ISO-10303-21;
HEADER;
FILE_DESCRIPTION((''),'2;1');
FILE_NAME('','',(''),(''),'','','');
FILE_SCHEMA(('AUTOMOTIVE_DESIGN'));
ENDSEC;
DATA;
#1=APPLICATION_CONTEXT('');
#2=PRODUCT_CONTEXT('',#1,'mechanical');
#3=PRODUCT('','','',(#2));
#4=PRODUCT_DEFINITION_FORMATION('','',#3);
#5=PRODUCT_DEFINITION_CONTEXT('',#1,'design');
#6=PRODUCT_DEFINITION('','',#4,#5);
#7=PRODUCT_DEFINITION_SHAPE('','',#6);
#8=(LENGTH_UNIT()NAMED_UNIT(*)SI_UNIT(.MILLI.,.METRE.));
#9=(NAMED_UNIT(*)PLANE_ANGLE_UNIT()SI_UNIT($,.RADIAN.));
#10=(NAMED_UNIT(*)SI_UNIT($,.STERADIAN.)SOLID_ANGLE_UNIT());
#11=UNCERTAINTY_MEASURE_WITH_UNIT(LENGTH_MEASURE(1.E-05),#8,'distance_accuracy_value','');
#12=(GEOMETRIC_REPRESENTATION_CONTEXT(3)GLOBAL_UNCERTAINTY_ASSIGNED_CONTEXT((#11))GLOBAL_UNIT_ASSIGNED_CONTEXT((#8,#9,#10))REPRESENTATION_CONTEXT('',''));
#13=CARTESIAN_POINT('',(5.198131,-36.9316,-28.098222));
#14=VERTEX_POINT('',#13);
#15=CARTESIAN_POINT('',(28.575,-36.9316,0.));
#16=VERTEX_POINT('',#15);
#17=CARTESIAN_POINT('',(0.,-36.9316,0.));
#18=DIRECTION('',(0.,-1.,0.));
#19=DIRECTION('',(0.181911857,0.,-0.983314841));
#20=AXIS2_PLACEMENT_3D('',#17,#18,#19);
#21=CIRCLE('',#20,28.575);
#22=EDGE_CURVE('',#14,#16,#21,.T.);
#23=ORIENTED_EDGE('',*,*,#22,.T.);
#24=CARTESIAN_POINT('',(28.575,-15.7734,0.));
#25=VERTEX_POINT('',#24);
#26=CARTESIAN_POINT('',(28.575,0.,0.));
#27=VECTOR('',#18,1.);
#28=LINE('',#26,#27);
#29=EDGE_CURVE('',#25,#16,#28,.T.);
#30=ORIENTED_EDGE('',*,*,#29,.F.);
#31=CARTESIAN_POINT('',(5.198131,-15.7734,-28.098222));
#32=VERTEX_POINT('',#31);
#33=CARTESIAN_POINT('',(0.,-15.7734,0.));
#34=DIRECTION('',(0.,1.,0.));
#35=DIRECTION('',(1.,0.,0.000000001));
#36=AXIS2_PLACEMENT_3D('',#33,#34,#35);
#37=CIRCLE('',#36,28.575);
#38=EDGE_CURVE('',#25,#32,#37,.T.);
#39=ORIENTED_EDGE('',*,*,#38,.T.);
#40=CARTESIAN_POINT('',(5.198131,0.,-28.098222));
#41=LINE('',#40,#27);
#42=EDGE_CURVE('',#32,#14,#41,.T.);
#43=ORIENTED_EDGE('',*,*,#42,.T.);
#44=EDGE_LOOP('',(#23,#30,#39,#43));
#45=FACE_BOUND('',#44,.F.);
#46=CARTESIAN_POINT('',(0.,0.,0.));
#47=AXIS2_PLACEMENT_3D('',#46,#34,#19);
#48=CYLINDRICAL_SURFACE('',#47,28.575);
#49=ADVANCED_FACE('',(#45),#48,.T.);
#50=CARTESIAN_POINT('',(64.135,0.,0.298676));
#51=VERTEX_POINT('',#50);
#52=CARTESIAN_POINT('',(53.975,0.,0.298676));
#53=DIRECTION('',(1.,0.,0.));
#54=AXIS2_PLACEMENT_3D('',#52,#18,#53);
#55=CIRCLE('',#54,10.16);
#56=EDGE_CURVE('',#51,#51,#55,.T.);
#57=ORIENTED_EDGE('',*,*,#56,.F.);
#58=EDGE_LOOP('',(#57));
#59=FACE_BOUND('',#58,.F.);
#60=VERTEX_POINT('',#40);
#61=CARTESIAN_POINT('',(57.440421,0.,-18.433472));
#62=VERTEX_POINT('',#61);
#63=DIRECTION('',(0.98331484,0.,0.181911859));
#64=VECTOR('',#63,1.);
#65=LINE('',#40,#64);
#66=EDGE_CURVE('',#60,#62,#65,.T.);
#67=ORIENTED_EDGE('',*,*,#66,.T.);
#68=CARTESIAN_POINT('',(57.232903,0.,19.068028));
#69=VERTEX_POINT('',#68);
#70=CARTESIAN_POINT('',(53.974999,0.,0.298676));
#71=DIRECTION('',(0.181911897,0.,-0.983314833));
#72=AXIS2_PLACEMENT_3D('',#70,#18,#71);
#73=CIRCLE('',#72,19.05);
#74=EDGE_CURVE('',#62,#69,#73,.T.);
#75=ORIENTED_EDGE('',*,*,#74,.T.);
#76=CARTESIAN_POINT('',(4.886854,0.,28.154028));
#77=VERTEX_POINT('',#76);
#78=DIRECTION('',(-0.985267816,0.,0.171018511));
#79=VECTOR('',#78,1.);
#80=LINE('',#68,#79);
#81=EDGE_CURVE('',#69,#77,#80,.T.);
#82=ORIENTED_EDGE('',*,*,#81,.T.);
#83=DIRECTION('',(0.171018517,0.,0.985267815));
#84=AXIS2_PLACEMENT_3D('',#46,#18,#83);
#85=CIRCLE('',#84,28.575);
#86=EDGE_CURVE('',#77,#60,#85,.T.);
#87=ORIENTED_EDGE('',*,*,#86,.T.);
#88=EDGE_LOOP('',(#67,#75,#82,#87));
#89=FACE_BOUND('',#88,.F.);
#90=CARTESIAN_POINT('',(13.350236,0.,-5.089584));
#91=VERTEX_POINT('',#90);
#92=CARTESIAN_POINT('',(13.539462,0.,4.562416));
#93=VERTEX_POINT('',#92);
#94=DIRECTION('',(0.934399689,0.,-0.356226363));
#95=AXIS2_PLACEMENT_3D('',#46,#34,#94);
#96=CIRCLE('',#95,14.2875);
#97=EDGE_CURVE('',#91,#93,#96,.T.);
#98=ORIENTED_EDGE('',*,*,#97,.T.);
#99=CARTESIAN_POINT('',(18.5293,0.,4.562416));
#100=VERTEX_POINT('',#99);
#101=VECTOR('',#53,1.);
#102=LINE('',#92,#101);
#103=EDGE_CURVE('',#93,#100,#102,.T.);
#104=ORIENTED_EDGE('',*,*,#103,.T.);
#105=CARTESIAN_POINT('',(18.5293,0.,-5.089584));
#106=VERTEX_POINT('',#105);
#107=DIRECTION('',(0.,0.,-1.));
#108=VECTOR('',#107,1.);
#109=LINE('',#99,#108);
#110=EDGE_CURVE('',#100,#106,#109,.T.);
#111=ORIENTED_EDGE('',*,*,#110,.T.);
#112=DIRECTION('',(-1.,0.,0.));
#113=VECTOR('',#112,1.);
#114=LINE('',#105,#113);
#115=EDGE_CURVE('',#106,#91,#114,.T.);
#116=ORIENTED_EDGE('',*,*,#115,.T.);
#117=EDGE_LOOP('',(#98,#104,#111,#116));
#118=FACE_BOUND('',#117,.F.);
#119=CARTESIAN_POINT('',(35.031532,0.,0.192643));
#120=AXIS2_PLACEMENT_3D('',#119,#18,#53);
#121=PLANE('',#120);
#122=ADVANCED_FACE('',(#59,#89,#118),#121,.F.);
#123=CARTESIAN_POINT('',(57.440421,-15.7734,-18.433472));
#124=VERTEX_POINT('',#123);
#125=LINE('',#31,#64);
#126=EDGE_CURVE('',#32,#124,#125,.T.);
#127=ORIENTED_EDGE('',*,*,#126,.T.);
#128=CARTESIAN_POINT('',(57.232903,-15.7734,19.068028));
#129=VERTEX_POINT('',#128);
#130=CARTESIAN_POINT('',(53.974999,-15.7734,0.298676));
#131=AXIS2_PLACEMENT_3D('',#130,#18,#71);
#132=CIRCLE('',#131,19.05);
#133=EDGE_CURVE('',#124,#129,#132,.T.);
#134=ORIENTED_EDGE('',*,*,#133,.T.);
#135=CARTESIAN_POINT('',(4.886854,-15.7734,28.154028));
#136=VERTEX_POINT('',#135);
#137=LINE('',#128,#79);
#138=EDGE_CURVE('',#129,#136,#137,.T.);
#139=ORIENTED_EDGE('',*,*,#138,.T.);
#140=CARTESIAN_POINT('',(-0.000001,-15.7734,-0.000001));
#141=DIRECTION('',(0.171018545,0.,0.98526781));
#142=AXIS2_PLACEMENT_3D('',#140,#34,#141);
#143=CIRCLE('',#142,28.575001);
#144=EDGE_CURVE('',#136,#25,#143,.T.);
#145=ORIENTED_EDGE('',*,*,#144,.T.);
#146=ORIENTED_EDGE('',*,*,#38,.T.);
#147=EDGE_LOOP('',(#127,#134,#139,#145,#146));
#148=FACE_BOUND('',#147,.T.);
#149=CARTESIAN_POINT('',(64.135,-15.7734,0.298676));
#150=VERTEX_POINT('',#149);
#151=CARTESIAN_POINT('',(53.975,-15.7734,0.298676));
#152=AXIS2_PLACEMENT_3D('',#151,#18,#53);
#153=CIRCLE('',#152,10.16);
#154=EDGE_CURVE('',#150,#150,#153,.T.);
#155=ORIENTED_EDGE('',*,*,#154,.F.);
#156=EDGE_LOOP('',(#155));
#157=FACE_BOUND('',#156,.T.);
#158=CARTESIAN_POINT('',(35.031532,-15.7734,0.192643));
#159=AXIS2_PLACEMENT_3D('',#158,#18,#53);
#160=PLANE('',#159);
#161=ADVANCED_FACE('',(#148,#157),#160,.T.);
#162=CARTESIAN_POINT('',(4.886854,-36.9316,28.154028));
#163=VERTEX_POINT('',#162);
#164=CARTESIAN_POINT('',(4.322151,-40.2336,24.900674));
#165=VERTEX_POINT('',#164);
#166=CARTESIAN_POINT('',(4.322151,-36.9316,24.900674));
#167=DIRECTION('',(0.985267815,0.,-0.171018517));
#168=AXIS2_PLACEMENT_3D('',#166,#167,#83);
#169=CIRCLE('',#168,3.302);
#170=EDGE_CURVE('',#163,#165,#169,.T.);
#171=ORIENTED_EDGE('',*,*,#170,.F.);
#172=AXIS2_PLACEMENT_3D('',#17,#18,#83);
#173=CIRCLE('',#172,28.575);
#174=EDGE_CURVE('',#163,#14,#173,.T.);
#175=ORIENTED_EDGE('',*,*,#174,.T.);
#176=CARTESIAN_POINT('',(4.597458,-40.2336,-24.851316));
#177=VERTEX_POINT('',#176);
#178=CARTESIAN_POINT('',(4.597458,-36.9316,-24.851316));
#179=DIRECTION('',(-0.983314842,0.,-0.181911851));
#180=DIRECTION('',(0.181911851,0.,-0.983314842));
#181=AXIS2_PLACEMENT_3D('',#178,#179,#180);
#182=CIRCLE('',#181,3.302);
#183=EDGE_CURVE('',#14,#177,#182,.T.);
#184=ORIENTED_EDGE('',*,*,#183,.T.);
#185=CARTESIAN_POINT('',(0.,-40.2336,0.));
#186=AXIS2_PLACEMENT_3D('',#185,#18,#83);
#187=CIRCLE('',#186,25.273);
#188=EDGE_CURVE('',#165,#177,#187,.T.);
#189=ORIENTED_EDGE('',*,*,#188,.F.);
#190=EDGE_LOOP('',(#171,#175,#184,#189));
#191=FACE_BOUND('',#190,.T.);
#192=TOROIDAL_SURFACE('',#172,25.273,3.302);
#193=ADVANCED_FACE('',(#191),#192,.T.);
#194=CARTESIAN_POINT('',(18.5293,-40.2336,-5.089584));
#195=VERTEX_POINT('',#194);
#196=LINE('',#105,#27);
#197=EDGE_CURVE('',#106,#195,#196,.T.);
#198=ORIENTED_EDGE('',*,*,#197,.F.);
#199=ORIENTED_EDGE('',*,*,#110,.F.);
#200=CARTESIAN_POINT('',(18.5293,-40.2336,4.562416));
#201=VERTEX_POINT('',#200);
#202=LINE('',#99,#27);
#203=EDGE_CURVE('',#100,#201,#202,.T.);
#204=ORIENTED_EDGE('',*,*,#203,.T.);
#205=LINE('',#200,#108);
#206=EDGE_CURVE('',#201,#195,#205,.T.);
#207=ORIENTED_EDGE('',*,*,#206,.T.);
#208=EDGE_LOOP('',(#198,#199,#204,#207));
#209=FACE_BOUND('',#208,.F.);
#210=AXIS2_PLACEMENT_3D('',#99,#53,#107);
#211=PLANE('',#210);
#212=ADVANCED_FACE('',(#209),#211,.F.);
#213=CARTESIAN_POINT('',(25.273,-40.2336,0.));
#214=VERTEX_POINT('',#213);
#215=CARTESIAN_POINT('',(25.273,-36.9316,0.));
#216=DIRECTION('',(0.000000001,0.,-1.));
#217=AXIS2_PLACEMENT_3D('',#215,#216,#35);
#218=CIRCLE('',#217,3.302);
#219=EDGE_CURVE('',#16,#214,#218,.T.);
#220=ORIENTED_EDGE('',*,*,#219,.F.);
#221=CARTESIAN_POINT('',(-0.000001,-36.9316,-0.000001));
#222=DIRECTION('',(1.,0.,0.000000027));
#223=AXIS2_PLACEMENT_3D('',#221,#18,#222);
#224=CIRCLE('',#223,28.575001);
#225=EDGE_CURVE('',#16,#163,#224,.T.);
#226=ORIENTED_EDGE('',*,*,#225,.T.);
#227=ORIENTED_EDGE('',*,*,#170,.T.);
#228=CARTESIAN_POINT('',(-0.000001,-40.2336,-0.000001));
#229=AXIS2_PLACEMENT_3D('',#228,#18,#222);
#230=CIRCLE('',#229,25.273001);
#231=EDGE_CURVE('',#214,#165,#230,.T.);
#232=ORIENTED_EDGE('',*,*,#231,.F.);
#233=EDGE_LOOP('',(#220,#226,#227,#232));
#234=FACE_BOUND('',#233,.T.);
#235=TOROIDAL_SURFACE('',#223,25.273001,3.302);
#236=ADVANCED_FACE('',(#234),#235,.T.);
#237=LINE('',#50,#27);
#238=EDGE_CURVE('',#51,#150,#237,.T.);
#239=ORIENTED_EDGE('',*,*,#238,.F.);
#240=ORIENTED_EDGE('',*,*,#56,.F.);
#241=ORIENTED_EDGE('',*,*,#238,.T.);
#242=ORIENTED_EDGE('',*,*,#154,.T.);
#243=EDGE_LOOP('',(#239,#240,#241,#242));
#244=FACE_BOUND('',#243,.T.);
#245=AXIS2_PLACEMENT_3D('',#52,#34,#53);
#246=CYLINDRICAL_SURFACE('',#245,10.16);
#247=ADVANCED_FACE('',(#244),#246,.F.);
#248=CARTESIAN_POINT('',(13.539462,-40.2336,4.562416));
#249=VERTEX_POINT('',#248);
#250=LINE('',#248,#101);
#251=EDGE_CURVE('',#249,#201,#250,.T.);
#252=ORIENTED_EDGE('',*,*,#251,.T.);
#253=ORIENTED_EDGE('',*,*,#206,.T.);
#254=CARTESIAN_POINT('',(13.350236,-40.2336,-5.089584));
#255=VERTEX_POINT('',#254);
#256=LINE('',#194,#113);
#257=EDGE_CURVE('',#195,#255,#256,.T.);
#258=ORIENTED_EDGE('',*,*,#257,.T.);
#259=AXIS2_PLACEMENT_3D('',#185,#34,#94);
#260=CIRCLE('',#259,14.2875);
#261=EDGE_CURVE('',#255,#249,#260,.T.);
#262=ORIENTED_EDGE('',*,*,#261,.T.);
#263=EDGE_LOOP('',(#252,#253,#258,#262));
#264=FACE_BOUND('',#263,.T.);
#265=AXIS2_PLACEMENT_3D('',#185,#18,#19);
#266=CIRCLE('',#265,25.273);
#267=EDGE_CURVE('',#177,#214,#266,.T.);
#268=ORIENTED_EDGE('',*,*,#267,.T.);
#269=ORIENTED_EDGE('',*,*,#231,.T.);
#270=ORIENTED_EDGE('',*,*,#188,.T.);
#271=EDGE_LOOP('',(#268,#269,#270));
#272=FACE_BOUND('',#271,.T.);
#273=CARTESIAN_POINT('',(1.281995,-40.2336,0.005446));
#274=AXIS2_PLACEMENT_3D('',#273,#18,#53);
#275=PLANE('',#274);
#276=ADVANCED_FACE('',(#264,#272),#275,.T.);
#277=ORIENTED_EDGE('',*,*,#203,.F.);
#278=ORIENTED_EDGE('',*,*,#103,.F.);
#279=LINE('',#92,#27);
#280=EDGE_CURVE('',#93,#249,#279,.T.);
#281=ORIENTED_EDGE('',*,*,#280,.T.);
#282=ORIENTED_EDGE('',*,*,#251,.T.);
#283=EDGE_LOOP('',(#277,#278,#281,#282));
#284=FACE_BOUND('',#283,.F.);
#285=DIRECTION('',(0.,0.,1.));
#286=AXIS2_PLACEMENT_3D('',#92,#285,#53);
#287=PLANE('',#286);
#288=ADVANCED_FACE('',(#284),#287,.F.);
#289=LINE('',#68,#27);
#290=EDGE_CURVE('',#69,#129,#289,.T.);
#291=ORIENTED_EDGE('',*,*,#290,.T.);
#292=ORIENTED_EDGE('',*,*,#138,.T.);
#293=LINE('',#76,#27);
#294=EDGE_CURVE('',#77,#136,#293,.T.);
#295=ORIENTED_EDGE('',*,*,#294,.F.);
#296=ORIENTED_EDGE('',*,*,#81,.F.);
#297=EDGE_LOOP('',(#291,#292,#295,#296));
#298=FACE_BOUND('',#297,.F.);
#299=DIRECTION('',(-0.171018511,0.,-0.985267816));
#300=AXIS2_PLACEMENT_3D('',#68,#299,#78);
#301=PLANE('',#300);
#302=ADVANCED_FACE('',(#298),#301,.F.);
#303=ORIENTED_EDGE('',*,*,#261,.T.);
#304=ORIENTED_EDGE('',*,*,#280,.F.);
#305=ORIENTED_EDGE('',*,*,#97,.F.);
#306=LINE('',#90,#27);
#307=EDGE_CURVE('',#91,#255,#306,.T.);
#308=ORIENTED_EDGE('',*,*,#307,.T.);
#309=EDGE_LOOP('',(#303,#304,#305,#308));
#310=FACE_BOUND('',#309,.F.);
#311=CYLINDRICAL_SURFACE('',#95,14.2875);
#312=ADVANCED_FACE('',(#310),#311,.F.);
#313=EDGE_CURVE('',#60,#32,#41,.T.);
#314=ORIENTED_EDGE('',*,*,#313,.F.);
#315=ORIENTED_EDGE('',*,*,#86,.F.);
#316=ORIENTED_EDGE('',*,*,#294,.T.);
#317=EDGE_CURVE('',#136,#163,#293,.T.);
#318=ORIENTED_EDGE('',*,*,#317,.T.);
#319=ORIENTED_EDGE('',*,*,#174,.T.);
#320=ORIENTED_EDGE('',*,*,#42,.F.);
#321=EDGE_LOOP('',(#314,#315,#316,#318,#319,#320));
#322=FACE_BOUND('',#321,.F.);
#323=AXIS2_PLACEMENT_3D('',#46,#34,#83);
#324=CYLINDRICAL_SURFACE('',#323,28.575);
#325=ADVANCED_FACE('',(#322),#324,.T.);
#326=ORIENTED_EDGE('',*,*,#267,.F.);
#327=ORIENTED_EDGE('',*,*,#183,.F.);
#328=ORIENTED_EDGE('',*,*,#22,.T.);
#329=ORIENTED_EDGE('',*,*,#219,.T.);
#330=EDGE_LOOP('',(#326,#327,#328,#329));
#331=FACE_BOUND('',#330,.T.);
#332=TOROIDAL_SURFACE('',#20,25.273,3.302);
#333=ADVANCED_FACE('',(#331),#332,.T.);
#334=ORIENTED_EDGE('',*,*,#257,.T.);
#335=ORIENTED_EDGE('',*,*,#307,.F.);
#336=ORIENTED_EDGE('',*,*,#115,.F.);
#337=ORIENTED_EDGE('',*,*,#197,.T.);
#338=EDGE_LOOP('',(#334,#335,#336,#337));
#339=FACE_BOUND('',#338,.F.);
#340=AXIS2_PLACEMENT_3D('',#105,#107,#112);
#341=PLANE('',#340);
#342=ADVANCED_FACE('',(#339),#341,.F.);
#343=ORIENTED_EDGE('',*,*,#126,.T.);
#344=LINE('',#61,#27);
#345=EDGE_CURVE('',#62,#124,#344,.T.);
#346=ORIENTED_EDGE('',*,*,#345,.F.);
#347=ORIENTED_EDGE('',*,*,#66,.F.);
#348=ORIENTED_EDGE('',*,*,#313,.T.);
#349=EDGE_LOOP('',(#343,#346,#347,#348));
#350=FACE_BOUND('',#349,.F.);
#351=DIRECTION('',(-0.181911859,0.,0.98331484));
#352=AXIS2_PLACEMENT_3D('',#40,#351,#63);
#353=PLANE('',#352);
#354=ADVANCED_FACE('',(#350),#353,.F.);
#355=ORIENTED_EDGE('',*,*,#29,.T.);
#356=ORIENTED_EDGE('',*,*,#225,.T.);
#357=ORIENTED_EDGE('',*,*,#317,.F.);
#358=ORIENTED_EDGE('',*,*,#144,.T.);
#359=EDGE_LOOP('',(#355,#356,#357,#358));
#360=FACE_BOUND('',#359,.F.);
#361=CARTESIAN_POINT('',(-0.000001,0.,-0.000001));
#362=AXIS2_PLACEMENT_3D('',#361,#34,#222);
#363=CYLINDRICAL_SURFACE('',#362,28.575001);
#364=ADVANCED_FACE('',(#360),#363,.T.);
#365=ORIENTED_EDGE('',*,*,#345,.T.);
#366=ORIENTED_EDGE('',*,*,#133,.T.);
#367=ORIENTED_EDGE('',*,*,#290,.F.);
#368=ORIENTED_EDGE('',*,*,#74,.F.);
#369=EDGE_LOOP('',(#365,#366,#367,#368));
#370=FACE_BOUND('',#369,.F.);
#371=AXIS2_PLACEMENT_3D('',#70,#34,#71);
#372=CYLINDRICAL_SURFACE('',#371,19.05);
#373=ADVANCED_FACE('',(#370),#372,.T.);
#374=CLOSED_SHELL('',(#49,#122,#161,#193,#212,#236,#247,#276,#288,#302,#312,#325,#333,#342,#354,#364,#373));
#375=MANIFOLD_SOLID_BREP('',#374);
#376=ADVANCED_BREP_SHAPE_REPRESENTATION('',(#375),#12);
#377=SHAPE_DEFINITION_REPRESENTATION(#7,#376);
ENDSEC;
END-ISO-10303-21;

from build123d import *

# Parameters (mm, degrees)
F1_DEPTH = 40.2336
F0_R     = 10.16
F2_DEPTH = 15.7734
F3_R     = 3.302


with BuildPart() as f1:
    # F0 (on Front) → F1 (new body)
    with BuildSketch(Plane.XZ):
        with BuildLine():
            ThreePointArc((5.198131, -28.098222), (21.966648, -18.275585), (28.575, 0))
            ThreePointArc((28.575, 0), (21.865183, 18.396858), (4.886854, 28.154028))
            ThreePointArc((4.886854, 28.154028), (-28.574563, -0.15812), (5.198131, -28.098222))
        make_face()
        with BuildLine():
            ThreePointArc((13.350236, -5.089584), (-14.284755, 0.280051), (13.539462, 4.562416))
            Line((13.539462, 4.562416), (18.5293, 4.562416))
            Line((18.5293, 4.562416), (18.5293, -5.089584))
            Line((18.5293, -5.089584), (13.350236, -5.089584))
        make_face(mode=Mode.SUBTRACT)
    extrude(amount=F1_DEPTH)

    # F0 (on Front) → F2 (join)
    with BuildSketch(Plane.XZ):
        with BuildLine():
            ThreePointArc((4.886854, 28.154028), (21.865183, 18.396858), (28.575, 0))
            ThreePointArc((28.575, 0), (21.966648, -18.275585), (5.198131, -28.098222))
            Line((5.198131, -28.098222), (57.440421, -18.433472))
            ThreePointArc((57.440421, -18.433472), (73.024708, 0.404089), (57.232903, 19.068028))
            Line((57.232903, 19.068028), (4.886854, 28.154028))
        make_face()
        with Locations((53.975, 0.298676)):
            Circle(F0_R, mode=Mode.SUBTRACT)
    extrude(amount=F2_DEPTH)

    # F3
    f3_edges = [f1.edges().sort_by_distance(p)[0] for p in [
        (-5.198131, -40.2336, 28.098222),
    ]]
    fillet(f3_edges, radius=F3_R)


solid = f1.part
